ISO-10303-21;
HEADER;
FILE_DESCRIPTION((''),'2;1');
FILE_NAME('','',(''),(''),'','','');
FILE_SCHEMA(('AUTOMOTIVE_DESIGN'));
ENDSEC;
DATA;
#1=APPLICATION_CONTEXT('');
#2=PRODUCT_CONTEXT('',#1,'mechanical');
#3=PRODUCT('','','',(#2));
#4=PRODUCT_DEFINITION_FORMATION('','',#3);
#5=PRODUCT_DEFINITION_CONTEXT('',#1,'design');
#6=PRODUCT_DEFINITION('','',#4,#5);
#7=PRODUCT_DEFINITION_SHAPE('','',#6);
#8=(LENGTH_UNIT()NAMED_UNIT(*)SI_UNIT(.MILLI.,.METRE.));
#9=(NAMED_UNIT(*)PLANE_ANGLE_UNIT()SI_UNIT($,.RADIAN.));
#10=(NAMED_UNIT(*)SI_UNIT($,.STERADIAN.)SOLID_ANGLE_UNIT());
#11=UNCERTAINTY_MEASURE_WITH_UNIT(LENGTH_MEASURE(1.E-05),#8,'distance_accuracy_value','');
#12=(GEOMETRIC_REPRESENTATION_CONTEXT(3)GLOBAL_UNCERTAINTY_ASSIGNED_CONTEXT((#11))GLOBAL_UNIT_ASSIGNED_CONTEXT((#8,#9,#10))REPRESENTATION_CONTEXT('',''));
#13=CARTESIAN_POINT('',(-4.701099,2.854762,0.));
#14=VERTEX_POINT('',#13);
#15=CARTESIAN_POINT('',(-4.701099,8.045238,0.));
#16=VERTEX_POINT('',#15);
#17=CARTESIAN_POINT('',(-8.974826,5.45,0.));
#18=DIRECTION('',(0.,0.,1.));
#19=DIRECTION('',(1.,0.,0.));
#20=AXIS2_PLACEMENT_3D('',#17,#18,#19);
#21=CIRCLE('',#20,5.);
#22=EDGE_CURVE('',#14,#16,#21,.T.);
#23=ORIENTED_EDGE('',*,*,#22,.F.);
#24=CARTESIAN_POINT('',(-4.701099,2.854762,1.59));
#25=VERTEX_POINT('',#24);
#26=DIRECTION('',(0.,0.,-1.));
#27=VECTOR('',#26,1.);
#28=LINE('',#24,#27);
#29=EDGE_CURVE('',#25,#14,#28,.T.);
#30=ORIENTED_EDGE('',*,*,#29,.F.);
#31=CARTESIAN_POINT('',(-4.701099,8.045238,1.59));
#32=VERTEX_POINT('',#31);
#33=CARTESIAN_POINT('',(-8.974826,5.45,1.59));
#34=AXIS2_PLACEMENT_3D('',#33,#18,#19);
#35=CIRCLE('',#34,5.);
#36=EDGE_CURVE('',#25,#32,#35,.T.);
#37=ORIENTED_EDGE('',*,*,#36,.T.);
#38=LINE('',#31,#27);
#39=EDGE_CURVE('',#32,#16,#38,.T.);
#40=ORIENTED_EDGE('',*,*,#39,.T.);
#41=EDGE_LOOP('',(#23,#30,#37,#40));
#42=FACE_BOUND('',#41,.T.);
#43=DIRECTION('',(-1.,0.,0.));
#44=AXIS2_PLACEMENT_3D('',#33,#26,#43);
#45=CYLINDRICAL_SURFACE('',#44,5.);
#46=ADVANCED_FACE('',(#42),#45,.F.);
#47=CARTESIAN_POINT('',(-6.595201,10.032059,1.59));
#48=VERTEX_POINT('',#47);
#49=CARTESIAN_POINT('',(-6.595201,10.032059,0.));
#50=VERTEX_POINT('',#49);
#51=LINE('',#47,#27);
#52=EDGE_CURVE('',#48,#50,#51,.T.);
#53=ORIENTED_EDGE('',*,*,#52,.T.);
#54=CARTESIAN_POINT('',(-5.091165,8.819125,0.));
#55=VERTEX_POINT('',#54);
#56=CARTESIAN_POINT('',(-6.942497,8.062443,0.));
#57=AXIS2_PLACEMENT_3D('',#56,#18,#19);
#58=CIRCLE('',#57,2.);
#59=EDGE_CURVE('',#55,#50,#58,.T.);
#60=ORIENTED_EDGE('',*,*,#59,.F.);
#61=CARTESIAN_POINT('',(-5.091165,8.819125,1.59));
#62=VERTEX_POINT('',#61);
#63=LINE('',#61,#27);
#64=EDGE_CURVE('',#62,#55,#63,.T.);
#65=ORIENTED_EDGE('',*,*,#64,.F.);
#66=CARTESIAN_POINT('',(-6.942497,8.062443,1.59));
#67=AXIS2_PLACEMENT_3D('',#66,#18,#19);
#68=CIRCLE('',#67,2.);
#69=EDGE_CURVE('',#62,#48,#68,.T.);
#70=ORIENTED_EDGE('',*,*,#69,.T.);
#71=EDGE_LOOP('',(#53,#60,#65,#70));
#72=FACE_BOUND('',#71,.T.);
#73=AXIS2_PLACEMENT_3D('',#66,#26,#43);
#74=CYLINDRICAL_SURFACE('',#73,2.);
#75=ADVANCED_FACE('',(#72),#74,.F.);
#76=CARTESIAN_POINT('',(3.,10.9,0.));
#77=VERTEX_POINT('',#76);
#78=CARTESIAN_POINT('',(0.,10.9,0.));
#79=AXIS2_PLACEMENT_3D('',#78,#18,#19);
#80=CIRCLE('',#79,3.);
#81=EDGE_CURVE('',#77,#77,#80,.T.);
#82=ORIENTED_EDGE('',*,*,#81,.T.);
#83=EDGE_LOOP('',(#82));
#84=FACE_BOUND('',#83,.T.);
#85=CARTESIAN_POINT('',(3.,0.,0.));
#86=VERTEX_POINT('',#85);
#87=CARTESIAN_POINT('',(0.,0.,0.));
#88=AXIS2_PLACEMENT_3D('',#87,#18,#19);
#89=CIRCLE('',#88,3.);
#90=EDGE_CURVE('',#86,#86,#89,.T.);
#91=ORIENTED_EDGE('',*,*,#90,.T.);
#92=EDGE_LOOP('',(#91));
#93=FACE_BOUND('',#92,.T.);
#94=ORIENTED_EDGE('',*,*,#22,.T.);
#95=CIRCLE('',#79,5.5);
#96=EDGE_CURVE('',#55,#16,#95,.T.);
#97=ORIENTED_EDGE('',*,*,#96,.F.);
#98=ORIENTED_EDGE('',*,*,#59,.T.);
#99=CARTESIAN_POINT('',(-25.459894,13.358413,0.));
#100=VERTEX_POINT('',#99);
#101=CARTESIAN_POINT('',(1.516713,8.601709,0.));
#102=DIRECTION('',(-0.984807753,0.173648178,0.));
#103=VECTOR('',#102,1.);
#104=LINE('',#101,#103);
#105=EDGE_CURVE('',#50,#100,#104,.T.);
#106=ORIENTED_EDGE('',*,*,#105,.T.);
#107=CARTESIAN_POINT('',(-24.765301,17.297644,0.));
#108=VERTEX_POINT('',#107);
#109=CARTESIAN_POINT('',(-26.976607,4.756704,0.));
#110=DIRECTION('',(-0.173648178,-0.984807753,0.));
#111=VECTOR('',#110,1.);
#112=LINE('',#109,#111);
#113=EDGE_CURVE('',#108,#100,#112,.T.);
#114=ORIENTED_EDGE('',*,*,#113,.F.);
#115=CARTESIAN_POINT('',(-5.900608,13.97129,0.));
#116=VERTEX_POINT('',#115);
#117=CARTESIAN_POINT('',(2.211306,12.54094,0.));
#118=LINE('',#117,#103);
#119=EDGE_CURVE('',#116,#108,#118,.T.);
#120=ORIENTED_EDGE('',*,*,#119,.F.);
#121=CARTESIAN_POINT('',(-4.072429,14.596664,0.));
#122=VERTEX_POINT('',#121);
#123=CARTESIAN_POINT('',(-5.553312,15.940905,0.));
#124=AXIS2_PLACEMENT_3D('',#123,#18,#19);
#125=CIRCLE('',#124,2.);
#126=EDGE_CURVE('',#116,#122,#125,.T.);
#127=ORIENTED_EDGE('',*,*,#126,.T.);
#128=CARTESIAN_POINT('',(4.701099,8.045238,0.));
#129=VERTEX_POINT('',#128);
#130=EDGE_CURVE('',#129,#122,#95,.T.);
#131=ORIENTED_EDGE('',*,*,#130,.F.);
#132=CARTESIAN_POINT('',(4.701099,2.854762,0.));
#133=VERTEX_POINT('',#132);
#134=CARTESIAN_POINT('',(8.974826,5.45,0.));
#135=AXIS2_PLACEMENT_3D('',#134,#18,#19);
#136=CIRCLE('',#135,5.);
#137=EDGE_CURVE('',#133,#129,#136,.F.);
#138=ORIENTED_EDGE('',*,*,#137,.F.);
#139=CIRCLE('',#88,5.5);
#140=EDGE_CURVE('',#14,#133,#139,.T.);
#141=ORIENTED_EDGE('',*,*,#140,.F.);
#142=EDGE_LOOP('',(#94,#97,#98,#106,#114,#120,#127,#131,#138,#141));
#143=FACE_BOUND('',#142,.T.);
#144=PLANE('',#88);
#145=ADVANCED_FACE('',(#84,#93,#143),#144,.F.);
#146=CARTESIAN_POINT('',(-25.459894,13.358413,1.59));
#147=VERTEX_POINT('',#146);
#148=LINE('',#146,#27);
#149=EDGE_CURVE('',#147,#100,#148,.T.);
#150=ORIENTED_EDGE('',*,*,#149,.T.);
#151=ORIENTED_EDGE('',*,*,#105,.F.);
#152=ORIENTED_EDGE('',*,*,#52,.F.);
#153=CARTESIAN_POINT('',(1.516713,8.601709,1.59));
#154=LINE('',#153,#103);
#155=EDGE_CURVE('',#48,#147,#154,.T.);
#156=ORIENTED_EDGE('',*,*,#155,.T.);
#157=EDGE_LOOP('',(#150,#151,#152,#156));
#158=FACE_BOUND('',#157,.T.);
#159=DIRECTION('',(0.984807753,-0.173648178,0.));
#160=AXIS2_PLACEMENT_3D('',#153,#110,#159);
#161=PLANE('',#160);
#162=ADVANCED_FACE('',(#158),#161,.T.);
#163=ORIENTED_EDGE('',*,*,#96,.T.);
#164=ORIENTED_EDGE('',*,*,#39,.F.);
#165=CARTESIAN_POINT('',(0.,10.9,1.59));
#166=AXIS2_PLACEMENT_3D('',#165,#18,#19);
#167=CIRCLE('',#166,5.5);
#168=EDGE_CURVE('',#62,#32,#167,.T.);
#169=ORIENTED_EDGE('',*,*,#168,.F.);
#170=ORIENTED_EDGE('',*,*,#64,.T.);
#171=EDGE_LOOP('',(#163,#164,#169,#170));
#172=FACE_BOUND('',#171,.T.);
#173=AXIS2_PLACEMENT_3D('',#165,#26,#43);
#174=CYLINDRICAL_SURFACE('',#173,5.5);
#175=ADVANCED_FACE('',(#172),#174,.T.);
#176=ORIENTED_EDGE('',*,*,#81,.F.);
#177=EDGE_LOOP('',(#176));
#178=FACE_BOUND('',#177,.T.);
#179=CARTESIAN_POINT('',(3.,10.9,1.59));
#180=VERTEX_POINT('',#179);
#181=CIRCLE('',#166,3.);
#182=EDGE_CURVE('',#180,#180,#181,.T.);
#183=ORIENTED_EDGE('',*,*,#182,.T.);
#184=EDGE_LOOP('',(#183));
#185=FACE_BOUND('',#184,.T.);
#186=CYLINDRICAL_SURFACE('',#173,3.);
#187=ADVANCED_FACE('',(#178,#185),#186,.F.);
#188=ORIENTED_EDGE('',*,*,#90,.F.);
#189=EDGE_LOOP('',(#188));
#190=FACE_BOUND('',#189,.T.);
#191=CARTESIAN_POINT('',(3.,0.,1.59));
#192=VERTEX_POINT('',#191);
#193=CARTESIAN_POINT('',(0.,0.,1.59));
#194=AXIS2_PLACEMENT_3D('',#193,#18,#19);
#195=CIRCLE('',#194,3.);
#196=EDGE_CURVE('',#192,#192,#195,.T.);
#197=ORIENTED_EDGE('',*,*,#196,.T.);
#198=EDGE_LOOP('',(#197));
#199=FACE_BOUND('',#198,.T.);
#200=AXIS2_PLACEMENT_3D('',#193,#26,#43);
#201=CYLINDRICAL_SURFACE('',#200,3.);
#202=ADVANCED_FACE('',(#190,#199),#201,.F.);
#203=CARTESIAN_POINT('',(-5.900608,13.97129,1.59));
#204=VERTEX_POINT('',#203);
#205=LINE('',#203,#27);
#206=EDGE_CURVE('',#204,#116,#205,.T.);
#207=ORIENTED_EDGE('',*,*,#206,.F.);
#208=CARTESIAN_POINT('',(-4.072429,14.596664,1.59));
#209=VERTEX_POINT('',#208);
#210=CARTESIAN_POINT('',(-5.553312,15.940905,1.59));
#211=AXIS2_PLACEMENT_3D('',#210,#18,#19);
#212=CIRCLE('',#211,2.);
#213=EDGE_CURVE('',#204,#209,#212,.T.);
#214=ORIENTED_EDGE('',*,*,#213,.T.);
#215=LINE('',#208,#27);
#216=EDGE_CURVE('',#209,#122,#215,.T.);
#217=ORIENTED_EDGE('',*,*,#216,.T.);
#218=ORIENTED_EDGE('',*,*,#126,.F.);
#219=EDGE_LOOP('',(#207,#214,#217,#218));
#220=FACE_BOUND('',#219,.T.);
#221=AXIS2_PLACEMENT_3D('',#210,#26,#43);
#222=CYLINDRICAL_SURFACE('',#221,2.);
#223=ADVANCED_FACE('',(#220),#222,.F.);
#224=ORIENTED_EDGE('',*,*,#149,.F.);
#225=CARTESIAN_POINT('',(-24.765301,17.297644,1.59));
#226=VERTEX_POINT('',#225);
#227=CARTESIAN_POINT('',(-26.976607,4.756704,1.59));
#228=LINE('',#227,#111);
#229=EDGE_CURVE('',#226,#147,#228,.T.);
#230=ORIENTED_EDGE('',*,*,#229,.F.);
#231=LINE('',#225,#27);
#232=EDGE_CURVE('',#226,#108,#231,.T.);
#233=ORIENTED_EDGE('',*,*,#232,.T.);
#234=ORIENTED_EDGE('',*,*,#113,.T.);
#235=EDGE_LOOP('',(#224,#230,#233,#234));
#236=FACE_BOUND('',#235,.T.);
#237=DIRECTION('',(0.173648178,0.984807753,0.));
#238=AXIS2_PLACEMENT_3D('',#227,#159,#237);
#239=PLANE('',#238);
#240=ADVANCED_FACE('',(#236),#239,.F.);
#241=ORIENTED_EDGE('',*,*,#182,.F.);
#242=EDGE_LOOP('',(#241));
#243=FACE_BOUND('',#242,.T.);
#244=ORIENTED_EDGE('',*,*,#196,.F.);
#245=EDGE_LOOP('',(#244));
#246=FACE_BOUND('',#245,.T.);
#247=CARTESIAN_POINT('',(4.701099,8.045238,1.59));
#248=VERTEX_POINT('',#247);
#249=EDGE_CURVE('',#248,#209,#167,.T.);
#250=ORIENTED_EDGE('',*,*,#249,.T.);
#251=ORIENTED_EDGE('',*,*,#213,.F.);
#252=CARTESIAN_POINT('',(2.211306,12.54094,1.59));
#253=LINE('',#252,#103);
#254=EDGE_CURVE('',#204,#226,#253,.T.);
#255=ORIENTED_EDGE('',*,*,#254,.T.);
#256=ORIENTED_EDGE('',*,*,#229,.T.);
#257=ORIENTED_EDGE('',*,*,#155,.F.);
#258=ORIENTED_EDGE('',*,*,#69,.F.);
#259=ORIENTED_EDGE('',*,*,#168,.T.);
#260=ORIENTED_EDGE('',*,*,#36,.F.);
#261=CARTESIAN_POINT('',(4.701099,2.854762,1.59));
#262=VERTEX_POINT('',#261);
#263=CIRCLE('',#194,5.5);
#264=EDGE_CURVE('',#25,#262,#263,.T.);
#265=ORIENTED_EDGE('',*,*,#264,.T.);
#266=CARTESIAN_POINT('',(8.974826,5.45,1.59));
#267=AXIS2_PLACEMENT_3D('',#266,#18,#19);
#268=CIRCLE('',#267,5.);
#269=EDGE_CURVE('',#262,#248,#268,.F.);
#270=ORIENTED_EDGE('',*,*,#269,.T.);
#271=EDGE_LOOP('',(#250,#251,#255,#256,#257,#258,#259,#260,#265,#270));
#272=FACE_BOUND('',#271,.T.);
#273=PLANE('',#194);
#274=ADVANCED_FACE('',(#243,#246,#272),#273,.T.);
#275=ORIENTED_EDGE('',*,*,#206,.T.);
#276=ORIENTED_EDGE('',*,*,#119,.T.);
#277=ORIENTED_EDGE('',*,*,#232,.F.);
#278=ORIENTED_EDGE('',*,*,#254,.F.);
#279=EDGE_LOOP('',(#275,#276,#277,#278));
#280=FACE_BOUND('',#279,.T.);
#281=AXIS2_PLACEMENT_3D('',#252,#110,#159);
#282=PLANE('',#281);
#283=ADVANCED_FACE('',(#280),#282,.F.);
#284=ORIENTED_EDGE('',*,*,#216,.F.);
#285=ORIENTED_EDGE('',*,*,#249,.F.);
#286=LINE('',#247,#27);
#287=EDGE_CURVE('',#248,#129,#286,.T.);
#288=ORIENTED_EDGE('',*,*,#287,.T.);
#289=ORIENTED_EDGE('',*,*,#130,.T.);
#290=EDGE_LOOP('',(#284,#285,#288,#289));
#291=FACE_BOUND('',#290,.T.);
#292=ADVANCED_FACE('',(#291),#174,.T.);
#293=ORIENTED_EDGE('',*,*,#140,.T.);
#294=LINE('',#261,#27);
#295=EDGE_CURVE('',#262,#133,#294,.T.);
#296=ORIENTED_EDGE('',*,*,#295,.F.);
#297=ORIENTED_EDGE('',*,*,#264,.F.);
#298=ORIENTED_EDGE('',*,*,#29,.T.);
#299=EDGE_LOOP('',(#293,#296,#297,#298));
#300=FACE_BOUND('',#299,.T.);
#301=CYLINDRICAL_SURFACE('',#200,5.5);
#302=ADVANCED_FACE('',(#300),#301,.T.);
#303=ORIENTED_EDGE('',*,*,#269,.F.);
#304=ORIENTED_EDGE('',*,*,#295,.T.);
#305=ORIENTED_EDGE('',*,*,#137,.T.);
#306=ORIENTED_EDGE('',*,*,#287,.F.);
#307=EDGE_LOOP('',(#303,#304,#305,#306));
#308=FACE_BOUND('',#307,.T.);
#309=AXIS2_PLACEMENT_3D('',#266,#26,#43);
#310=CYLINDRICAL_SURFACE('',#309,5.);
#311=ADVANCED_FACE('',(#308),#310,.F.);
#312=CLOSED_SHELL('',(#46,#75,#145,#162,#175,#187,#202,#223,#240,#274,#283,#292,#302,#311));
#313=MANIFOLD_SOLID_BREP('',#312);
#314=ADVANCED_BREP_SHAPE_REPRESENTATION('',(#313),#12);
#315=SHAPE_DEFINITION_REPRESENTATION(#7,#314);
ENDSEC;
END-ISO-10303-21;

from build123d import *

# Parameters (mm, degrees)
SKETCH1_R           = 3
BOSS_EXTRUDE1_DEPTH = 1.59


with BuildPart() as part:
    # Sketch1 → Boss-Extrude1 (new body)
    with BuildSketch(Plane.XY):
        with BuildLine():
            ThreePointArc((-5.900608413, 13.97128969), (-4.905988344, 14.048559559), (-4.072428842, 14.59666381))
            ThreePointArc((-4.072428842, 14.59666381), (3.290759997, 15.306914867), (4.701099283, 8.045238095))
            ThreePointArc((4.701099283, 8.045238095), (3.974825904, 5.45), (4.701099283, 2.854761905))
            ThreePointArc((4.701099283, 2.854761905), (0, -5.5), (-4.701099283, 2.854761905))
            ThreePointArc((-4.701099283, 2.854761905), (-3.974825904, 5.45), (-4.701099283, 8.045238095))
            ThreePointArc((-4.701099283, 8.045238095), (-4.911398404, 8.424486778), (-5.091164818, 8.819124992))
            ThreePointArc((-5.091164818, 8.819124992), (-5.686991836, 9.619268653), (-6.595201124, 10.032058678))
            Line((-6.595201124, 10.032058678), (-25.459894057, 13.358413024))
            Line((-25.459894057, 13.358413024), (-24.765301346, 17.297644037))
            Line((-24.765301346, 17.297644037), (-5.900608413, 13.97128969))
        make_face()
        Circle(SKETCH1_R, mode=Mode.SUBTRACT)
        with Locations((0, 10.9)):
            Circle(SKETCH1_R, mode=Mode.SUBTRACT)
    extrude(amount=BOSS_EXTRUDE1_DEPTH)


solid = part.part
